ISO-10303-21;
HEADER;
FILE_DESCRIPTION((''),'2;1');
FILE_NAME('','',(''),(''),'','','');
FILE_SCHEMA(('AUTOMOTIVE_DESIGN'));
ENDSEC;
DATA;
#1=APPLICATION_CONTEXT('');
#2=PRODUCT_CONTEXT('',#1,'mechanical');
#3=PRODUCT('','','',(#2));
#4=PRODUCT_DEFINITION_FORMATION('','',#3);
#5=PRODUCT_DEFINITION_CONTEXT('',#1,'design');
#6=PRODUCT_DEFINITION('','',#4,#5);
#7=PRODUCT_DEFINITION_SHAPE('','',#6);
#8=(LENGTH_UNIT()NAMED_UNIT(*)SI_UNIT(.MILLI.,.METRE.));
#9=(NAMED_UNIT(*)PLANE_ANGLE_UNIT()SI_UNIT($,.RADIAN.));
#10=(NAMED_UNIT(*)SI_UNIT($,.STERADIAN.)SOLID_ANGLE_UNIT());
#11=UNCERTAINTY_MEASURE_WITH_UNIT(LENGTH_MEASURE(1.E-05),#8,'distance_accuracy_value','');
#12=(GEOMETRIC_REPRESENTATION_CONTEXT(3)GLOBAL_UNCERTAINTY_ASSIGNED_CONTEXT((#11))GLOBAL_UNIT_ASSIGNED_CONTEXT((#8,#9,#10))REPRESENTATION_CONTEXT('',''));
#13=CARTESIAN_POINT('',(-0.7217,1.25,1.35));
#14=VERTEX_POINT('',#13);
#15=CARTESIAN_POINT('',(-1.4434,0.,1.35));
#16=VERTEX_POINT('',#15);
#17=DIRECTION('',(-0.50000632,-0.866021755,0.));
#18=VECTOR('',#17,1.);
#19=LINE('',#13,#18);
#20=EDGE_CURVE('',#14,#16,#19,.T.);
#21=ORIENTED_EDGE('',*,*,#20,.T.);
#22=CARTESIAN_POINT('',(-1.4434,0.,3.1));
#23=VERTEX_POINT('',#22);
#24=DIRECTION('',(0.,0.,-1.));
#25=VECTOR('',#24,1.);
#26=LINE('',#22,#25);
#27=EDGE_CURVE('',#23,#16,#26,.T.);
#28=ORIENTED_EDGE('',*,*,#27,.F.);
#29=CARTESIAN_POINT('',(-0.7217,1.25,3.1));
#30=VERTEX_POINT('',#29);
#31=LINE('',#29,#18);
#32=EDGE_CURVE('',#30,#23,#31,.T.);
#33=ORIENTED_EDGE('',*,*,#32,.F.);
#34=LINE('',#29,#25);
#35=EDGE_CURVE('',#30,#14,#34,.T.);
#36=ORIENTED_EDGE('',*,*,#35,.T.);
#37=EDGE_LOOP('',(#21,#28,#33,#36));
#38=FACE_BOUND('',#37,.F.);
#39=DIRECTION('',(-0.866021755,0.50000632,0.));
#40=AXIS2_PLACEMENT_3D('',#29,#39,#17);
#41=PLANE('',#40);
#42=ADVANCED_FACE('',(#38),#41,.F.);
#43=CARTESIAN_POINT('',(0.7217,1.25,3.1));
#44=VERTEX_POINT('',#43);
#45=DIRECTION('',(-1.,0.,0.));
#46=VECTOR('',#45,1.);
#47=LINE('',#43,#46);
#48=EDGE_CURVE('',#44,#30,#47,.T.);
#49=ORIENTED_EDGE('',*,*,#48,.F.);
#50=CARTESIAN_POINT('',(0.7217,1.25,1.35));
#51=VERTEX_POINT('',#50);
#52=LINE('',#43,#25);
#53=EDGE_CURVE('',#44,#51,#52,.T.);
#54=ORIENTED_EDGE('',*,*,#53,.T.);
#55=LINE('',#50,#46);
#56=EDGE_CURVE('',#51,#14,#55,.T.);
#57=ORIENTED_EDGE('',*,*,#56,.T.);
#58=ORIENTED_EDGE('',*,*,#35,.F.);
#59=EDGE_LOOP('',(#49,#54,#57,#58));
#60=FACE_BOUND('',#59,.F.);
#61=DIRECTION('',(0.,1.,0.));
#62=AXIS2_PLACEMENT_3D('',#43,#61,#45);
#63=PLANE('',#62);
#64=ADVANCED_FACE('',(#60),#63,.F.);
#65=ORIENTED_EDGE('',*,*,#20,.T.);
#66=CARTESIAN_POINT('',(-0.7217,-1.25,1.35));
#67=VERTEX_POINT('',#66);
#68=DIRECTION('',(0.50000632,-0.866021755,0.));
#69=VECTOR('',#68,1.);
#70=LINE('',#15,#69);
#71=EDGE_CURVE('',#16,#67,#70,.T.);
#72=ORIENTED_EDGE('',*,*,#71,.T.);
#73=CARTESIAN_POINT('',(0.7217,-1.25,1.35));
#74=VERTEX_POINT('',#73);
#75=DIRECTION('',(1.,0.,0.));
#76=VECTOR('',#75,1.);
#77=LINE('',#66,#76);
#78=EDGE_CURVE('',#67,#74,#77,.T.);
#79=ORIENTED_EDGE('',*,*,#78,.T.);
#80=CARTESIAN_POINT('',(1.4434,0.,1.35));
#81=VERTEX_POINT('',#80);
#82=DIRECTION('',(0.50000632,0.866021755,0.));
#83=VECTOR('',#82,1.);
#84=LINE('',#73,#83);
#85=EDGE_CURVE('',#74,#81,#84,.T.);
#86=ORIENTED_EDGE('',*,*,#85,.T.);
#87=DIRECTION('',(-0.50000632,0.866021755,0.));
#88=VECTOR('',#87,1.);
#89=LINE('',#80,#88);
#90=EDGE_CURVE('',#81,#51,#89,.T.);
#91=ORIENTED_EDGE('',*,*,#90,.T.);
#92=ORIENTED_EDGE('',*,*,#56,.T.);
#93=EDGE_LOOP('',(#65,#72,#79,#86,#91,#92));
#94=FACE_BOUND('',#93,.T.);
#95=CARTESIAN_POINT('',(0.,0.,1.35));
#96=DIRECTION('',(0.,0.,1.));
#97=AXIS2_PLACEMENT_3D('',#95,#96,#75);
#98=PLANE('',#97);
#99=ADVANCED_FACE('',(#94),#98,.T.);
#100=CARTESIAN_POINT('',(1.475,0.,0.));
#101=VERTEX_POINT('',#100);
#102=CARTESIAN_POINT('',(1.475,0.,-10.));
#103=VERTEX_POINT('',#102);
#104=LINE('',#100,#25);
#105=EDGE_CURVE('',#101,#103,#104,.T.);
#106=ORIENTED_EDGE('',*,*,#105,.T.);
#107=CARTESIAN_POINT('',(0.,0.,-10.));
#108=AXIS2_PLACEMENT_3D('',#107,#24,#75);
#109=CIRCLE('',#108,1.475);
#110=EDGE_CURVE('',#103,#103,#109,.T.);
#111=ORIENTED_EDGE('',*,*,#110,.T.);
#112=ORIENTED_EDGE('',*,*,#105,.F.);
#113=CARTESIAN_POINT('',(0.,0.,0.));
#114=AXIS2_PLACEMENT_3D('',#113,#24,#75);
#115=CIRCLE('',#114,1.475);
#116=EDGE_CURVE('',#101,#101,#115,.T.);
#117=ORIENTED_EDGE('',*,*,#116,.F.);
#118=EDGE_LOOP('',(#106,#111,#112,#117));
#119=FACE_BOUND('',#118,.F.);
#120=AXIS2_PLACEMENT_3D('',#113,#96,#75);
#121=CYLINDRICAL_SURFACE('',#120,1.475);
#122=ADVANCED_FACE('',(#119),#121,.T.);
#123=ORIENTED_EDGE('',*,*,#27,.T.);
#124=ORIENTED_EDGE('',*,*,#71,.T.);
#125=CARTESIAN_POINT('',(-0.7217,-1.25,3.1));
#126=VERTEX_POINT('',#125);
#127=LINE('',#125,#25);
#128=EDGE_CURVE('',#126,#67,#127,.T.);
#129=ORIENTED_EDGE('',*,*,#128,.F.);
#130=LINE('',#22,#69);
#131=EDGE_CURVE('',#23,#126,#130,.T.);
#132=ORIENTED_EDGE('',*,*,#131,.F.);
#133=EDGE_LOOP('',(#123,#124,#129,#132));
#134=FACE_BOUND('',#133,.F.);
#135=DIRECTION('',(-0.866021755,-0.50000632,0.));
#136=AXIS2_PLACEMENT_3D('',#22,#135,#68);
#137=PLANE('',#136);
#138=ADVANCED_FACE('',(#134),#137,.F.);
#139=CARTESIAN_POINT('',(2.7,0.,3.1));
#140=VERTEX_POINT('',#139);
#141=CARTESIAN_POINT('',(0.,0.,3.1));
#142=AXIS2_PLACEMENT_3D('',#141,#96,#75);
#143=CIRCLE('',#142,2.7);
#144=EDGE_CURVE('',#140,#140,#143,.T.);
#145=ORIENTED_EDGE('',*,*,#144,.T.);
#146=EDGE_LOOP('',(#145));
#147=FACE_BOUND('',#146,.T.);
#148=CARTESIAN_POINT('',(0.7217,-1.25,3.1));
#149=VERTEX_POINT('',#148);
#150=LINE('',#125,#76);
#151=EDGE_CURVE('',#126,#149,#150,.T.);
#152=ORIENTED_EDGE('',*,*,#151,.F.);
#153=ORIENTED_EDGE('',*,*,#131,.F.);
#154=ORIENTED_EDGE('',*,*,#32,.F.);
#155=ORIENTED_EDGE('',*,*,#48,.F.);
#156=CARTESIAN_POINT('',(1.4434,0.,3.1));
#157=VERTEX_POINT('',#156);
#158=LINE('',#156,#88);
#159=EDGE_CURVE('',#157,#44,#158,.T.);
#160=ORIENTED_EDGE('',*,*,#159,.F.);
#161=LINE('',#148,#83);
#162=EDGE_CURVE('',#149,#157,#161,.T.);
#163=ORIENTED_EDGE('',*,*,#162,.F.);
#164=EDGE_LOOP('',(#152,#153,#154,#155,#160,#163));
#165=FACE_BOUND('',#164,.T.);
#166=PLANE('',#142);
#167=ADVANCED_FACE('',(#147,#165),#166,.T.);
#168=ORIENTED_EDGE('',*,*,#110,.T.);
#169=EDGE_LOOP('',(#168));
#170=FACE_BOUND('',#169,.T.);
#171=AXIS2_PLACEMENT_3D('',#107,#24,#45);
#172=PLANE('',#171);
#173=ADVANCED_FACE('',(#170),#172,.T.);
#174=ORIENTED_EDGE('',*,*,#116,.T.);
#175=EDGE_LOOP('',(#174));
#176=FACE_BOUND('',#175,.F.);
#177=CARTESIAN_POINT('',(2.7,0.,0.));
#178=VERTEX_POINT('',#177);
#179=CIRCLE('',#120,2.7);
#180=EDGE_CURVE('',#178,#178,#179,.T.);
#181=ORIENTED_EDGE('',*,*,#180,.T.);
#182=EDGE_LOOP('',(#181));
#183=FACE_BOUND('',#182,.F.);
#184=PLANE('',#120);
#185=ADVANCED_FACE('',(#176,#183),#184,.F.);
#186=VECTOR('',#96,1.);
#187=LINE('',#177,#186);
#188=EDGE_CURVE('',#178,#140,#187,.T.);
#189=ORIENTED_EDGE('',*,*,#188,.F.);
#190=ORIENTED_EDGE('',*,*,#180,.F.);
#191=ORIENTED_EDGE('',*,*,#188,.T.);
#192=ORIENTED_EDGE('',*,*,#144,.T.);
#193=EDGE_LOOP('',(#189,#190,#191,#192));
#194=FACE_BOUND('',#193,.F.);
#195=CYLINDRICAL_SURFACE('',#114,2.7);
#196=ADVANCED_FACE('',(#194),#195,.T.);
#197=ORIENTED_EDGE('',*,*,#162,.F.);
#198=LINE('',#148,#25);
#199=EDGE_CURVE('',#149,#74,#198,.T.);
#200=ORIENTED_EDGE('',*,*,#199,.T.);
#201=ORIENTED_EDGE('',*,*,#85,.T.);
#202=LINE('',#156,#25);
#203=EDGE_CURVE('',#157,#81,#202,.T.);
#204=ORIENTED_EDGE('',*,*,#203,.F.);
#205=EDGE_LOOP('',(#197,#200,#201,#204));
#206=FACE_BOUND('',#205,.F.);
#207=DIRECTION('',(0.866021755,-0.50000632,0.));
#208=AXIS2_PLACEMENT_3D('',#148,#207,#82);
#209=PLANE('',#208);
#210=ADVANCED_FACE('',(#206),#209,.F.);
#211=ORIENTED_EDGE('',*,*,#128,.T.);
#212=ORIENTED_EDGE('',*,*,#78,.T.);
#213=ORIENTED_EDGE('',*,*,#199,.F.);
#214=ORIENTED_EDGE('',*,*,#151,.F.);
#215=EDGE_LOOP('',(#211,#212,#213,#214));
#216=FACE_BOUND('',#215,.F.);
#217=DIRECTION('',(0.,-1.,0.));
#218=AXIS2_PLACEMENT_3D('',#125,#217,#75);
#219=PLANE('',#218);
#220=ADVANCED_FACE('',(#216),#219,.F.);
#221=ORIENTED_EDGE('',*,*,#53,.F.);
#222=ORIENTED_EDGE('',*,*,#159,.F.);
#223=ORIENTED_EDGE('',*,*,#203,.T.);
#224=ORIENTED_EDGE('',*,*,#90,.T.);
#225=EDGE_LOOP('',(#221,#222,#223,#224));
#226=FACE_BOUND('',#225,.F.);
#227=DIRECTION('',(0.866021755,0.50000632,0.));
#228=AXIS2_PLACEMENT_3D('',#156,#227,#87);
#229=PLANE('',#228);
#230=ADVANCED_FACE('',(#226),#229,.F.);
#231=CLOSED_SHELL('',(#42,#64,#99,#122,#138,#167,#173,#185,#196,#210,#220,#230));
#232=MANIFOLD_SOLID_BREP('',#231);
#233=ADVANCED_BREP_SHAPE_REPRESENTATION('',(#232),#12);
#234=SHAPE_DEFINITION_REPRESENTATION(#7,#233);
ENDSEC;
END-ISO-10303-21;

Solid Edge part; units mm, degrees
sketch "Sketch1" plane through (0, 0, 0) normal (0, 0, 1) x (1, 0, 0)
  circle A0 centre (0, 0) radius 2.7
extrude "Protrusion1" add sketch "Sketch1" along normal blind 3.1
sketch "Sketch2" plane through (0, 0, 3.1) normal (0, 0, 1) x (1, 0, 0)
  line L0 (-1.4434, 0) -> (-0.7217, -1.25)
  line L1 (-0.7217, -1.25) -> (0.7217, -1.25)
  line L2 (0.7217, -1.25) -> (1.4434, 0)
  line L3 (1.4434, 0) -> (0.7217, 1.25)
  line L4 (0.7217, 1.25) -> (-0.7217, 1.25)
  line L5 (-0.7217, 1.25) -> (-1.4434, 0)
extrude "ExtrudedCutout_1" cut sketch "Sketch2" against normal blind 1.75
sketch "Sketch3" plane through (0, 0, 0) normal (0, 0, -1) x (1, 0, 0)
  circle A0 centre (0, 0) radius 1.475
extrude "ExtrudedProtrusion_2" add sketch "Sketch3" along normal blind 10
